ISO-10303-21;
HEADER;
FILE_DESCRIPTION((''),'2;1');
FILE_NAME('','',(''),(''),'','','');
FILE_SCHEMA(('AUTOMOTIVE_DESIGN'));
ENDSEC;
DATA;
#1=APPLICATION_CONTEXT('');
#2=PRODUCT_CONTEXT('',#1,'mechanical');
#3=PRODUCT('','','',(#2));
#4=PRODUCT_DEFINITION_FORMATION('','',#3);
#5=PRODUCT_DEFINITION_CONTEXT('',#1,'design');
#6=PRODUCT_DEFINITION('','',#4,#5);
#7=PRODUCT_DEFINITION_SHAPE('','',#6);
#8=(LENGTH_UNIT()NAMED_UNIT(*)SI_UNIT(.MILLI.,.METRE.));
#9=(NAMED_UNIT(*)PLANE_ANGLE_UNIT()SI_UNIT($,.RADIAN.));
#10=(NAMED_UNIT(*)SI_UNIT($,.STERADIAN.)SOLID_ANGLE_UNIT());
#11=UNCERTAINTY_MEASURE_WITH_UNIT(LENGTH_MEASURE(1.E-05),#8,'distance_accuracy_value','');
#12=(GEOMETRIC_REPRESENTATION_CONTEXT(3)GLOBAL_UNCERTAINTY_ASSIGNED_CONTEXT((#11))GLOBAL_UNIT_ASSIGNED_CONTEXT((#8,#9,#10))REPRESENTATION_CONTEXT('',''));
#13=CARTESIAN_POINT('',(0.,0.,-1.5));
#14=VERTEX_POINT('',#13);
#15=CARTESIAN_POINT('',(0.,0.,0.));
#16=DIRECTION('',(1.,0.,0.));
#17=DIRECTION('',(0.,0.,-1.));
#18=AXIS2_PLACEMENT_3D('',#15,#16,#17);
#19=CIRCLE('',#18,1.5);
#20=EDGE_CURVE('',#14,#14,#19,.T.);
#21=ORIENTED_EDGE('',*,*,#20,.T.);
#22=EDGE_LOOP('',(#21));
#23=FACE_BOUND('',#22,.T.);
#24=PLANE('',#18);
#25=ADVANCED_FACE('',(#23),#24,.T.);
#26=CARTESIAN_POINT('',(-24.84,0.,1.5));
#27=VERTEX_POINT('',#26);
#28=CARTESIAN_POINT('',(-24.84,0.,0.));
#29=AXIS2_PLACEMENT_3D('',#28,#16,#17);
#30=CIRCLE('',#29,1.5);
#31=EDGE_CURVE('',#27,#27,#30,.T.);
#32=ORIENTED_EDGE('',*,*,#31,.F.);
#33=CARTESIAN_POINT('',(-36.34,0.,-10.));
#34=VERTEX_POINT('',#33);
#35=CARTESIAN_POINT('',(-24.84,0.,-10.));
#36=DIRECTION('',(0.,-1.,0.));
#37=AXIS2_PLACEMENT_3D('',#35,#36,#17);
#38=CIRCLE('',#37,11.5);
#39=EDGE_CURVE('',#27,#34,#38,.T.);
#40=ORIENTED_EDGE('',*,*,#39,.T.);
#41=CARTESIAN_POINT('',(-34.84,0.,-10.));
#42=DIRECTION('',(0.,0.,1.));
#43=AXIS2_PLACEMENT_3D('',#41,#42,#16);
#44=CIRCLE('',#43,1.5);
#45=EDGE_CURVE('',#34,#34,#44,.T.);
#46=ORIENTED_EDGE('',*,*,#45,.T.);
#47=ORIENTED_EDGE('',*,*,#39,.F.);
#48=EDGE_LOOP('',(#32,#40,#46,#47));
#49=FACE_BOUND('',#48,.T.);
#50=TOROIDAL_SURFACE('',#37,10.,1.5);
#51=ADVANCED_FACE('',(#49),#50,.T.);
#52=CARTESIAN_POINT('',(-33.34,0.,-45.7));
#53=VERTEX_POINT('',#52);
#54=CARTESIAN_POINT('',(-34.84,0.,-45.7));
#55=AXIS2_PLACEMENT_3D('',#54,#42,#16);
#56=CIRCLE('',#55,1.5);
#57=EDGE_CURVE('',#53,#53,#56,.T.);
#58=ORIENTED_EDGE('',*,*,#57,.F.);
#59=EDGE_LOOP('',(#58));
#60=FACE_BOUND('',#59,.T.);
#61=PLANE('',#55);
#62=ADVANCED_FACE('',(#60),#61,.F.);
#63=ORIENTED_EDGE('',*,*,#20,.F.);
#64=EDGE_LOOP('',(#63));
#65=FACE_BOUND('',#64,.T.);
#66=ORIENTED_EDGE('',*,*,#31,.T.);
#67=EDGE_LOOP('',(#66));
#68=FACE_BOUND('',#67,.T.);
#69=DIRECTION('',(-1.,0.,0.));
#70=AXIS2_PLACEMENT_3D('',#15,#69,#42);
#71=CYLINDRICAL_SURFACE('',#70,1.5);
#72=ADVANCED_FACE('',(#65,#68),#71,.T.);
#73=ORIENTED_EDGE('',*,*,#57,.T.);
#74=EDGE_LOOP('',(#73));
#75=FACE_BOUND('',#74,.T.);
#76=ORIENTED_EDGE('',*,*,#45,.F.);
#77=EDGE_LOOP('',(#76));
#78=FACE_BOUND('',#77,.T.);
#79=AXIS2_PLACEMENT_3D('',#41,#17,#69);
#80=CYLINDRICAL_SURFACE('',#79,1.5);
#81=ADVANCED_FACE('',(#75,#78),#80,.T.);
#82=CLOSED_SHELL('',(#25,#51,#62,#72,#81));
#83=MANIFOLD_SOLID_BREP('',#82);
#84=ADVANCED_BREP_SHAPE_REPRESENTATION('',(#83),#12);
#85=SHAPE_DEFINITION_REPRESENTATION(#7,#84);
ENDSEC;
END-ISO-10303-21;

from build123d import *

# Parameters (mm, degrees)
BARRER1_PROFILE_R = 1.5


with BuildPart() as part:
    # Barrer1: sweep along a path in Croquis2
    with BuildLine(Plane(origin=(0, 0, 0), x_dir=(1, 0, 0), z_dir=(0, 1, 0))) as barrer1_path:
        Line((0, 0), (-24.84, 0))
        ThreePointArc((-24.84, 0), (-31.911067812, 2.928932188), (-34.84, 10))
        Line((-34.84, 10), (-34.84, 45.7))
    # Barrer1 profile (on start of the path) → Barrer1 (sweep)
    with BuildSketch(Plane(origin=(0, 0, 0), x_dir=(0, 0, -1), z_dir=(-1, 0, 0))):
        Circle(BARRER1_PROFILE_R)
    sweep(path=barrer1_path.line)


solid = part.part
